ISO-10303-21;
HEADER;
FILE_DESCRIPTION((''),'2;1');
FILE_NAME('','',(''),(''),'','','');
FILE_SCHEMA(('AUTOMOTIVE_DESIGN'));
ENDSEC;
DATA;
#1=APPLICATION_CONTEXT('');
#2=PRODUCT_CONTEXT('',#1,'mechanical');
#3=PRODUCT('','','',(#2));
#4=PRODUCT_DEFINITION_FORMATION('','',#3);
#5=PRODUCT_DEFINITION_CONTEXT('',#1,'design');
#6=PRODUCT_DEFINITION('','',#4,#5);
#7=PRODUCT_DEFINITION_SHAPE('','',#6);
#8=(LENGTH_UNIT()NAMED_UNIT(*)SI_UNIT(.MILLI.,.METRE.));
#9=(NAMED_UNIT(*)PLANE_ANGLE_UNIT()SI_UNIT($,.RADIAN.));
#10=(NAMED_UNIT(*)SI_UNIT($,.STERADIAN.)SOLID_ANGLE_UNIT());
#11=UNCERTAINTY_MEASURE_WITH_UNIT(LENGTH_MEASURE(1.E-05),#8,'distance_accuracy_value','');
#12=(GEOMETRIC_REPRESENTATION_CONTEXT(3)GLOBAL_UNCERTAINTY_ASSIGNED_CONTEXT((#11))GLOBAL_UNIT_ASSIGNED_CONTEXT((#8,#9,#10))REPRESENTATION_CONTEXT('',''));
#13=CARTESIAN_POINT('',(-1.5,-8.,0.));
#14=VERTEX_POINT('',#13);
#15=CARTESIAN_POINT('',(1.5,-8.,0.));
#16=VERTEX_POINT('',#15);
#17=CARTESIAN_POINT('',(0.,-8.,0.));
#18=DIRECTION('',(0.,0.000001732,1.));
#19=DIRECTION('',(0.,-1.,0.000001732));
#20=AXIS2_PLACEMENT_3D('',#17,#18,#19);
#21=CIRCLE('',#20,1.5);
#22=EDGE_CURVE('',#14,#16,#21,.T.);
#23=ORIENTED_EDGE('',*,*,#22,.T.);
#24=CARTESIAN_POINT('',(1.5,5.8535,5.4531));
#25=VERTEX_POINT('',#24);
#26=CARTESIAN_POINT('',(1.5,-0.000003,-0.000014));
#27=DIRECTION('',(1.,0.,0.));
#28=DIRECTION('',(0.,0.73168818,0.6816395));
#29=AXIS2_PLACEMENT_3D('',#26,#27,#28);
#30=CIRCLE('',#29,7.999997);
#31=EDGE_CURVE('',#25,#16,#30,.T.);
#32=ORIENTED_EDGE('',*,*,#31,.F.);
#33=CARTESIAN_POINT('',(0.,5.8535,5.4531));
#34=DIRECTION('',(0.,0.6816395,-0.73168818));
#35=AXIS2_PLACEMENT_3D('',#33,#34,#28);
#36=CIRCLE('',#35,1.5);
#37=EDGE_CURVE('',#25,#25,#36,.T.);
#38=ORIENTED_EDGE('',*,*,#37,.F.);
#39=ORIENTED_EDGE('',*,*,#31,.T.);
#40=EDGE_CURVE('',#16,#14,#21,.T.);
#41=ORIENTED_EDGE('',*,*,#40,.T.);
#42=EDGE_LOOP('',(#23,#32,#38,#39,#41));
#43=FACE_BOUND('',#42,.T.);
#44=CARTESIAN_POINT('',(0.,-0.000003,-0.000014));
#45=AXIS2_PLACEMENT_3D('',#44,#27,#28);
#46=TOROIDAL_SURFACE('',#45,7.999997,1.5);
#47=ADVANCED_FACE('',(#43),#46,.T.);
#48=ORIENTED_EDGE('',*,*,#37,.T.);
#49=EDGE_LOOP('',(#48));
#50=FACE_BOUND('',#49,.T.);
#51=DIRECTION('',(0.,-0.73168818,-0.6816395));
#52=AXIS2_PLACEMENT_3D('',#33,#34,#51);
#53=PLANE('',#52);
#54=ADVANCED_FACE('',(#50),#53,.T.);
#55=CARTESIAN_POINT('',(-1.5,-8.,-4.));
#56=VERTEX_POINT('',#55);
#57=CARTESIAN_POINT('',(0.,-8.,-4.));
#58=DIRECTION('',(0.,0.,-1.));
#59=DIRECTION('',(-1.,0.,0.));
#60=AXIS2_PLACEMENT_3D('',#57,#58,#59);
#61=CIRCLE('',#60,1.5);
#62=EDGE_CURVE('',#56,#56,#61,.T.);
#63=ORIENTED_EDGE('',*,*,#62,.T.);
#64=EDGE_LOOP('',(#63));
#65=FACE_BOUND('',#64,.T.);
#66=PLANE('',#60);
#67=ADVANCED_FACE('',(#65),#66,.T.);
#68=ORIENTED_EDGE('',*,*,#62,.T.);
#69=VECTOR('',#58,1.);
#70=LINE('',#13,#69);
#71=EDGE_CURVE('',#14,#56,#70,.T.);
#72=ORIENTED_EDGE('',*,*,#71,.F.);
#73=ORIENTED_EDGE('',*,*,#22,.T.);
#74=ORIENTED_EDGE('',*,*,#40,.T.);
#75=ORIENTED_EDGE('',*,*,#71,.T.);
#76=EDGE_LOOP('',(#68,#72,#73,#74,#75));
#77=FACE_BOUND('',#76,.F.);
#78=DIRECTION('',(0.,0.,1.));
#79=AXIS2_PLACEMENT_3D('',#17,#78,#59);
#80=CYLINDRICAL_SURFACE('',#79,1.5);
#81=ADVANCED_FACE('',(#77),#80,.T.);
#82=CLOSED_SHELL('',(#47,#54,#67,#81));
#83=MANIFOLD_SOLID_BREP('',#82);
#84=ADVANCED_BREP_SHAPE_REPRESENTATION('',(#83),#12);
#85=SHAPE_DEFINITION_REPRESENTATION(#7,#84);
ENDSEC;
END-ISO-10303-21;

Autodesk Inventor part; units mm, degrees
ref_plane "YZ Plane" through (0, 0, 0) normal (1, 0, 0) x (0, 1, 0)
ref_plane "XZ Plane" through (0, 0, 0) normal (0, 1, 0) x (-1, 0, 0)
ref_plane "XY Plane" through (0, 0, 0) normal (0, 0, 1) x (1, 0, 0)
sketch "Sweep Path" plane through (0, 0, 0) normal (1, 0, 0) x (0, 1, 0)
  arc A0 (5.8535, 5.4531) -> (-8, 0) centre (0, 0) ccw
  line L0 (0, 0) -> (5.8535, 5.4531) construction
  line L1 (0, 0) -> (8, 0) construction
  line L2 (0, 0) -> (-8, 0) construction
  dimension "d0" = 8
  dimension "d1" = 42.972
sketch "Sweep Profile" plane through (0, 0, 0) normal (0, 0, 1) x (1, 0, 0)
  circle A0 centre (0, -8) radius 1.5
  point P0 (0, 0)
  dimension "d2" = 3
sweep "Ring" add profiles "Sweep Profile" path "Sweep Path"
sketch "Sketch4" plane through (0, -8, 0) normal (0, 0, -1) x (-1, 0, 0)
  circle A0 centre (0, 0) radius 1.5 projected
  point P0 (0, 8)
extrude "Extrusion2" add sketch "Sketch4" along normal blind 4
equation "\"d0\" = SweepRadius"
equation "\"d1\" = SweepAngle"
equation "\"d2\" = RingThickness"
equation "\"RingDiameter\" = 4"
equation "\"SweepRadius\" = 8"
equation "\"SweepAngle\" = 42.971835deg"
equation "\"RingThickness\" = 3"
properties part number "ValveRing0"
